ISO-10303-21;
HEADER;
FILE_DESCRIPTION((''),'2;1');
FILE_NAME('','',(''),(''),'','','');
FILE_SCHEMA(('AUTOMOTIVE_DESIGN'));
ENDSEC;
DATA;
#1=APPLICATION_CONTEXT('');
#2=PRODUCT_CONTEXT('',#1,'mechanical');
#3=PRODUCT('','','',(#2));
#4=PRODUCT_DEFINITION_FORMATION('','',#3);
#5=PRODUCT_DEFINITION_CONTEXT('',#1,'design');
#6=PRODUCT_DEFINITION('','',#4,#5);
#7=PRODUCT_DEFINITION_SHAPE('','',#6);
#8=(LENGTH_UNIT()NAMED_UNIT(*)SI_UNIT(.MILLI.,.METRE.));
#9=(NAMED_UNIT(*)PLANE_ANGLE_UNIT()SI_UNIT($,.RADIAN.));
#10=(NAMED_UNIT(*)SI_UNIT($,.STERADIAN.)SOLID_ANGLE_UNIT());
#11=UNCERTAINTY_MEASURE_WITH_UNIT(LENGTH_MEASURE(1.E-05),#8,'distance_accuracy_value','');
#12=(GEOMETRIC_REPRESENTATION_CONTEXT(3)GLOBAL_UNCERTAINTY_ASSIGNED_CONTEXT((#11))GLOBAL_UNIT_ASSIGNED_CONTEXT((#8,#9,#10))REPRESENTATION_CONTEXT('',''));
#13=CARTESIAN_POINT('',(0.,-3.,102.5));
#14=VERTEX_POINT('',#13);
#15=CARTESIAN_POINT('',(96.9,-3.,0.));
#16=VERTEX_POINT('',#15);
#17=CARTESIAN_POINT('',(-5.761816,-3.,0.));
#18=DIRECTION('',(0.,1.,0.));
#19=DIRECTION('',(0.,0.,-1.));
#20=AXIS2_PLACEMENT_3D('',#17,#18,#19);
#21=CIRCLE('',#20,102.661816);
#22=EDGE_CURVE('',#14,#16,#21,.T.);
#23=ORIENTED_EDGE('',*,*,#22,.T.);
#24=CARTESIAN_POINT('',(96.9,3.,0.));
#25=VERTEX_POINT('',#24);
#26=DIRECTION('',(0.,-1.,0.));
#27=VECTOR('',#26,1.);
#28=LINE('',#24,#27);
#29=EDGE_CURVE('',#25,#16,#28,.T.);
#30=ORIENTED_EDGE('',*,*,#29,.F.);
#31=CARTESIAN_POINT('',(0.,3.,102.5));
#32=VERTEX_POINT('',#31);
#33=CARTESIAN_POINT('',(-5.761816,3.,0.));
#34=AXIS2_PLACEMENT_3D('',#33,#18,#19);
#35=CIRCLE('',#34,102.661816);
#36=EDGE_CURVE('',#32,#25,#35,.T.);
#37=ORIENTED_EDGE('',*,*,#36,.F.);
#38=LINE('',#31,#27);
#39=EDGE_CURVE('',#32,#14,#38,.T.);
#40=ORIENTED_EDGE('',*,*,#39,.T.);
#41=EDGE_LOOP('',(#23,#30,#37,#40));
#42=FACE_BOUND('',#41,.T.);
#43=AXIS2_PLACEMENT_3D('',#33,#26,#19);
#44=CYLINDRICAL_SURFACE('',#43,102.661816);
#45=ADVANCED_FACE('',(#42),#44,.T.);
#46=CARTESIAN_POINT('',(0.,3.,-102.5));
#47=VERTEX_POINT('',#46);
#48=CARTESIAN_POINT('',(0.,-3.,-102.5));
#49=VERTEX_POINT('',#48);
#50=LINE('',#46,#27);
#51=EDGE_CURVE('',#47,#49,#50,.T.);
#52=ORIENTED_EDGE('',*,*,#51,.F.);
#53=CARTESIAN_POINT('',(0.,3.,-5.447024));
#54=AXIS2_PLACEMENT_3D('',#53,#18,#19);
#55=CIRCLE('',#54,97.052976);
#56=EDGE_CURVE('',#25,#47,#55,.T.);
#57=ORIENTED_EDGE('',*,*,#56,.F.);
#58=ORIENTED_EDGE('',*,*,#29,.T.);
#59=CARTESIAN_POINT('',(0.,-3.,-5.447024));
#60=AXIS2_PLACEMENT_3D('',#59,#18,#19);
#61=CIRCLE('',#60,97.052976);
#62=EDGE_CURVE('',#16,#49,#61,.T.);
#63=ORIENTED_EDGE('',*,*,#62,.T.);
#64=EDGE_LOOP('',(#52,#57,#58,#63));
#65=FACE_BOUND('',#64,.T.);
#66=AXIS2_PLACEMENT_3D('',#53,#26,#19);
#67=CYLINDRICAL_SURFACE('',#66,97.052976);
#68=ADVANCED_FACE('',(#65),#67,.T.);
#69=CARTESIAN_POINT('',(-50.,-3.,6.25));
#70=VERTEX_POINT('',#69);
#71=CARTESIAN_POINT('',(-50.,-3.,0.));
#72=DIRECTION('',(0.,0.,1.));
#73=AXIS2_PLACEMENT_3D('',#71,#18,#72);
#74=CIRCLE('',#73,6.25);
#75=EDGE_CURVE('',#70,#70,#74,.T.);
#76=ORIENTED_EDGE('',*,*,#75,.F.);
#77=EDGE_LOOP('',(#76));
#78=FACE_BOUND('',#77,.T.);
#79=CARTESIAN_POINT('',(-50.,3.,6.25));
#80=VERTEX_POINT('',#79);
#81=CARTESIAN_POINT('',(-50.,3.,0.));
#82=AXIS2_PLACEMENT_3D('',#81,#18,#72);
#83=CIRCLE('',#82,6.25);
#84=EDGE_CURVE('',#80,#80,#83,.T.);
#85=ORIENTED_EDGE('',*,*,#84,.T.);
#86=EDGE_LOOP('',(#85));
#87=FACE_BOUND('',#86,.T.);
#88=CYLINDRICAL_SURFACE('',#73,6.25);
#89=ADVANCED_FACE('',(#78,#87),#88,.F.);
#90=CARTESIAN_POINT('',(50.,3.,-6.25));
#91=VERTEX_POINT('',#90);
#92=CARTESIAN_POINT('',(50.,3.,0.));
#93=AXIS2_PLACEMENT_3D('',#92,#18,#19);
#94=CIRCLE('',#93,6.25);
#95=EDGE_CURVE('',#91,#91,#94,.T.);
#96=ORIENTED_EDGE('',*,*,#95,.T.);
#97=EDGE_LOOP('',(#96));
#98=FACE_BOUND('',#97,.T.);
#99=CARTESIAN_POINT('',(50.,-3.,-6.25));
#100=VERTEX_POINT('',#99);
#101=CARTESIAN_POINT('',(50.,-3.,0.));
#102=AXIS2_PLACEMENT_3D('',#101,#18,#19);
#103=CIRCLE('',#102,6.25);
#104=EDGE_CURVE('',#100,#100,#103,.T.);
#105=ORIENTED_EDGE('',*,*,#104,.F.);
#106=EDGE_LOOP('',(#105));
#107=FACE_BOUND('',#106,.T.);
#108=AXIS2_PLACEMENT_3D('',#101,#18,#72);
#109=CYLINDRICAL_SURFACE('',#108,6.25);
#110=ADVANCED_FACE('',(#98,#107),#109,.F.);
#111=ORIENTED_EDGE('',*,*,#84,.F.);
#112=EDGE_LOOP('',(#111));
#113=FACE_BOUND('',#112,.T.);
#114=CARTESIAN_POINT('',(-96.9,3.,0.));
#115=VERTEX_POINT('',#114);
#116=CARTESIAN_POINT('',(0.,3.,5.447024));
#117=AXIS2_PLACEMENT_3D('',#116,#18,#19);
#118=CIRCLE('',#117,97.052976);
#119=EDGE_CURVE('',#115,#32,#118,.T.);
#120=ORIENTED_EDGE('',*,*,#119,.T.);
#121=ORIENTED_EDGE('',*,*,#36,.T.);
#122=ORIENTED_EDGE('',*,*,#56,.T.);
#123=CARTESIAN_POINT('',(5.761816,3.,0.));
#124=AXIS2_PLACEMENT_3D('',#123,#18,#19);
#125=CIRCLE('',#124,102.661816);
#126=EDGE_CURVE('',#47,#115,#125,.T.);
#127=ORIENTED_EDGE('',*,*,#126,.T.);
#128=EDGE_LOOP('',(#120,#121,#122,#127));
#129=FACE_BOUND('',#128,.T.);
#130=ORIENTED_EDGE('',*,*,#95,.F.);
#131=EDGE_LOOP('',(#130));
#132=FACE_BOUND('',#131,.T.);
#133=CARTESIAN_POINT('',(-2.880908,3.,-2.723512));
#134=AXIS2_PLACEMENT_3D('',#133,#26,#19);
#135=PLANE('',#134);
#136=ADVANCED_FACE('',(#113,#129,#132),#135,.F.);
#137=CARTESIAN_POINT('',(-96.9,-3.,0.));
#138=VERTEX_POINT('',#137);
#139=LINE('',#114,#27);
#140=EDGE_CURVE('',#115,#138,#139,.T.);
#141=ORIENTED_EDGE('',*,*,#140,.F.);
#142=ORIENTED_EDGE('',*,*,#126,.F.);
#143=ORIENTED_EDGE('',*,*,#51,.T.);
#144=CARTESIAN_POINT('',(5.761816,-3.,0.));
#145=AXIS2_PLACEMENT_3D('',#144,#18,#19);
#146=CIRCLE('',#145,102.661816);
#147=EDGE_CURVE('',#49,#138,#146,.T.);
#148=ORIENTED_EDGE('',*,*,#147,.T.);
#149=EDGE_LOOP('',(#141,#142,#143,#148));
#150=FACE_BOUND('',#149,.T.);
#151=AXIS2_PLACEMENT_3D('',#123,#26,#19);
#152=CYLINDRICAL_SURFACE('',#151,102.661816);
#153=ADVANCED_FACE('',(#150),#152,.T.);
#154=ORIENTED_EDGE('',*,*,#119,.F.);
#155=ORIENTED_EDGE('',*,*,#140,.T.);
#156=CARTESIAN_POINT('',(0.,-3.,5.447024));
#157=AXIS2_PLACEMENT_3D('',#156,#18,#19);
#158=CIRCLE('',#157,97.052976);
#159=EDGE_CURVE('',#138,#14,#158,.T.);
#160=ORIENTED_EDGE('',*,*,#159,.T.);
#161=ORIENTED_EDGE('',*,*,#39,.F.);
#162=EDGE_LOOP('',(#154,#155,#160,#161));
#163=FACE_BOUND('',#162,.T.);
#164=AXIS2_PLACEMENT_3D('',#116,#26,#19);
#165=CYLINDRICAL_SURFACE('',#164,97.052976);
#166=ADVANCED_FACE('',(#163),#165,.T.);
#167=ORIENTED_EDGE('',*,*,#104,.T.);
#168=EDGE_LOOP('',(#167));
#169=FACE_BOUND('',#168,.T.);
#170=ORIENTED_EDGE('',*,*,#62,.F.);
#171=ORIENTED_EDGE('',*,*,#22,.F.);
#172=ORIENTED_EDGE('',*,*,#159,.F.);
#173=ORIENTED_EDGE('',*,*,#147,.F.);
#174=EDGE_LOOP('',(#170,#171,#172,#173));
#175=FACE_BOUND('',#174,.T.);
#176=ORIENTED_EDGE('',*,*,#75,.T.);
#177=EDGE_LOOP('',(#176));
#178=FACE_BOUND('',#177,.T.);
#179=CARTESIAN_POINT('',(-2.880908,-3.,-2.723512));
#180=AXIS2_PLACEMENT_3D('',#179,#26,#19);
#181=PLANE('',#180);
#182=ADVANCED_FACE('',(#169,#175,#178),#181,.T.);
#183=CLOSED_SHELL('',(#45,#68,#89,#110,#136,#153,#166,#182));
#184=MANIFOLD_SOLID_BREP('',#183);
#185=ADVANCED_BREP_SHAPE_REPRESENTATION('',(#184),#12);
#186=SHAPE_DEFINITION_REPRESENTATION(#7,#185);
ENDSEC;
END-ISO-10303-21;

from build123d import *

# Parameters (mm, degrees)
BOSS_EXTRUDE1_DEPTH = 3
SKETCH2_R           = 6.25
CUT_EXTRUDE1_DEPTH  = 6


with BuildPart() as part:
    # Sketch1 → Boss-Extrude1 (new body, symmetric)
    with BuildSketch(Plane(origin=(0, 0, 0), x_dir=(1, 0, 0), z_dir=(0, 1, 0))):
        with BuildLine():
            ThreePointArc((-96.9, 0), (-68.840352075, 70.526342596), (0, 102.5))
            ThreePointArc((0, 102.5), (70.526342596, 72.120220464), (96.9, 0))
            ThreePointArc((96.9, 0), (68.840352075, -70.526342596), (0, -102.5))
            ThreePointArc((0, -102.5), (-70.526342596, -72.120220464), (-96.9, 0))
        make_face()
    extrude(amount=BOSS_EXTRUDE1_DEPTH, both=True)

    # Sketch2 → Cut-Extrude1 (cut)
    with BuildSketch(Plane(origin=(0, 3, 0), x_dir=(1, 0, 0), z_dir=(0, 1, 0))):
        with Locations((-50, 0)):
            Circle(SKETCH2_R)
        with Locations((50, 0)):
            Circle(SKETCH2_R)
    extrude(amount=-CUT_EXTRUDE1_DEPTH, mode=Mode.SUBTRACT)


solid = part.part
